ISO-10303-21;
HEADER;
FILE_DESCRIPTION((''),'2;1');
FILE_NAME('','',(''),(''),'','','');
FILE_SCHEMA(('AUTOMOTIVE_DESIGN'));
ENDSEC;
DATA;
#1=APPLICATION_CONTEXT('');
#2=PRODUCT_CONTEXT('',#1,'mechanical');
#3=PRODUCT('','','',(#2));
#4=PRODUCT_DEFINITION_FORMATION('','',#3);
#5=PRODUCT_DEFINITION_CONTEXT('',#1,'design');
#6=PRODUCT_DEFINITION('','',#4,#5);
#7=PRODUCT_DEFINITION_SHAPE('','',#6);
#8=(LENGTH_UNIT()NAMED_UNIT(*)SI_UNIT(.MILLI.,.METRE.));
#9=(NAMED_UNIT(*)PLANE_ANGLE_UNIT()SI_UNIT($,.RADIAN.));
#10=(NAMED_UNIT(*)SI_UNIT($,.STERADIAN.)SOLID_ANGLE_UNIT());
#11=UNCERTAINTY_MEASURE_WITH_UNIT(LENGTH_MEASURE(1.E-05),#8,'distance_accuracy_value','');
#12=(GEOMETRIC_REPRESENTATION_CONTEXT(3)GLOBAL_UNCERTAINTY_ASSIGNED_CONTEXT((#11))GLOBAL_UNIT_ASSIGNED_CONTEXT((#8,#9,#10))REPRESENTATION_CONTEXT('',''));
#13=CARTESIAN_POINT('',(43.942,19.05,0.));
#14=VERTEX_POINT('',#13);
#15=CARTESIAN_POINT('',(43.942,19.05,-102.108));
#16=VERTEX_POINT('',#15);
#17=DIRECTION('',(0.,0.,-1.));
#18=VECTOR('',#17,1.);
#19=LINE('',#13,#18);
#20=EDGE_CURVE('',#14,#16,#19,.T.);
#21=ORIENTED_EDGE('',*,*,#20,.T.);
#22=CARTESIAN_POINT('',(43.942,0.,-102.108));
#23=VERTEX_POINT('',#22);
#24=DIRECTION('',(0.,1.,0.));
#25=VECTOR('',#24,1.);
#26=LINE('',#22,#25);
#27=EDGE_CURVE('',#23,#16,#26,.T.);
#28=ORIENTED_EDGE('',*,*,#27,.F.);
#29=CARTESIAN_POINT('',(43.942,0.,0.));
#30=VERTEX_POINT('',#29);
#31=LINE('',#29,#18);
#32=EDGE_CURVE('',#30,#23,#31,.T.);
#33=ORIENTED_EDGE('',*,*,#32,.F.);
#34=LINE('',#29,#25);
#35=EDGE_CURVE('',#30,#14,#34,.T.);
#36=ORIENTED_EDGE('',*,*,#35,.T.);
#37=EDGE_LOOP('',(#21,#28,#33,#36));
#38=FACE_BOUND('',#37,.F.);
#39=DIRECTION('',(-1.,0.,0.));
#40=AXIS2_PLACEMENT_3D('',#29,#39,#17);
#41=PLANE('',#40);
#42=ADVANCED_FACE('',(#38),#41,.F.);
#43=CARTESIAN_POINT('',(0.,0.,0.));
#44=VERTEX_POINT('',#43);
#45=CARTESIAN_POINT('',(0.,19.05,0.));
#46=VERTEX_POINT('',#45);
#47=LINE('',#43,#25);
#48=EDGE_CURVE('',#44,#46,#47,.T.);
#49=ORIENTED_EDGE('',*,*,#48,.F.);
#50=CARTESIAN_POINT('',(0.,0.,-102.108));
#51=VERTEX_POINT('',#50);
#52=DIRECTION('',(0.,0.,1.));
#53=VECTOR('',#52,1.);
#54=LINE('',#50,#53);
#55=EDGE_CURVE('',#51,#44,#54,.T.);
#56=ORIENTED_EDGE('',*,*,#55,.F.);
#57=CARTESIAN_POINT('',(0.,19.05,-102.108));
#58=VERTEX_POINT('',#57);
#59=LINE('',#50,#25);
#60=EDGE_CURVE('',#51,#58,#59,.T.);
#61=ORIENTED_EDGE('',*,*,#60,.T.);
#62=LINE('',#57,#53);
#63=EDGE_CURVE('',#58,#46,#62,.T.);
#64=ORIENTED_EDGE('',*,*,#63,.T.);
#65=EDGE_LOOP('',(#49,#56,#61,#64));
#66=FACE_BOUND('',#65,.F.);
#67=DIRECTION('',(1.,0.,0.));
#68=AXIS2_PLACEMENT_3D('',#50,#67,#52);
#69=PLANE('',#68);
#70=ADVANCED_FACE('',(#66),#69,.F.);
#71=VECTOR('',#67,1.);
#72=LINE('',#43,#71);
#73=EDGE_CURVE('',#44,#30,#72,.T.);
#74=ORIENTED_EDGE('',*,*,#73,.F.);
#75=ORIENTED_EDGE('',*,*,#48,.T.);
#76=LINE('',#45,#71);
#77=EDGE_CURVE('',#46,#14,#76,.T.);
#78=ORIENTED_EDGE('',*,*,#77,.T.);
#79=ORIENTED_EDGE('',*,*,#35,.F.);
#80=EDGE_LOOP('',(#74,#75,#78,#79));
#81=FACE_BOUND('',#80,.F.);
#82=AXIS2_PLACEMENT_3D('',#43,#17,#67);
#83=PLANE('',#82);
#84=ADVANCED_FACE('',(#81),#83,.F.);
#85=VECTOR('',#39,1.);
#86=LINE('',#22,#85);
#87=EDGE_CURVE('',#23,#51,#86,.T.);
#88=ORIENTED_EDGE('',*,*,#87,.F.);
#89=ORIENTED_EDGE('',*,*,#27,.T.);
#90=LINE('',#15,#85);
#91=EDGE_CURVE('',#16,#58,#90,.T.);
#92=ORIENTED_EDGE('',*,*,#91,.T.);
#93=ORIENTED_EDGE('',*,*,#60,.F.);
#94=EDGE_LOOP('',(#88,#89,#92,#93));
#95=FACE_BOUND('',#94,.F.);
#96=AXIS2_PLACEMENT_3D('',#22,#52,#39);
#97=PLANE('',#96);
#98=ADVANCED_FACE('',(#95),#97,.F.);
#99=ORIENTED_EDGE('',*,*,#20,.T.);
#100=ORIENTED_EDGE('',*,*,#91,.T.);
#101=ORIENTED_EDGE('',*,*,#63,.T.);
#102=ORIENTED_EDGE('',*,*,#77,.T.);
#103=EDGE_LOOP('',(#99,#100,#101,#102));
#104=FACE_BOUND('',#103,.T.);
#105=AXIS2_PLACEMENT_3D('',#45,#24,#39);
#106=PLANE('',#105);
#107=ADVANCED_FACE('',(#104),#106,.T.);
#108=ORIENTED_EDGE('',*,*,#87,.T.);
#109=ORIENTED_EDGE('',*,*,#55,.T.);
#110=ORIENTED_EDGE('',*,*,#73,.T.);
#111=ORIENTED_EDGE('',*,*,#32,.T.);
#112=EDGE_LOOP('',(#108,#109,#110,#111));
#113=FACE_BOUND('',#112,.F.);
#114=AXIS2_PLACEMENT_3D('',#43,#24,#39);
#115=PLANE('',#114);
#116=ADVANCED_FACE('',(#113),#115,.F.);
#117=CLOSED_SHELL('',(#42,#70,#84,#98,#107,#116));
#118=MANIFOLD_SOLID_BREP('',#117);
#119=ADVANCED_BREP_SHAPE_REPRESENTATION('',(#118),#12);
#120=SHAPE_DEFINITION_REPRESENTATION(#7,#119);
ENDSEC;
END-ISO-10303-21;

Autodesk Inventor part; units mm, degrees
ref_plane "YZ Plane" through (0, 0, 0) normal (1, 0, 0) x (0, 1, 0)
ref_plane "XZ Plane" through (0, 0, 0) normal (0, 1, 0) x (-1, 0, 0)
ref_plane "XY Plane" through (0, 0, 0) normal (0, 0, 1) x (1, 0, 0)
sketch "Sketch1" plane through (0, 0, 0) normal (0, 1, 0) x (-1, 0, 0)
  line L0 (0, 0) -> (-43.942, 0)
  line L1 (-43.942, 0) -> (-43.942, -102.108)
  line L2 (-43.942, -102.108) -> (0, -102.108)
  line L3 (0, -102.108) -> (0, 0)
  dimension "d0" = 43.942
  dimension "d1" = 102.108
extrude "Extrusion1" add sketch "Sketch1" along normal blind 19.05
sketch "Sketch2" plane through (0, 0, 0) normal (0, 0, 1) x (1, 0, 0)
  arc A0 (43.942, 19.05) -> (43.942, 0) centre (97.2787, 9.525) ccw
  line L0 (43.942, 0) -> (0, 0) projected
  line L1 (43.942, 19.05) -> (0, 19.05) projected
  arc A1 (0, 0) -> (0, 19.05) centre (-53.3343, 9.525) ccw
  line L2 (0, 19.05) -> (0, 0)
  line L3 (43.942, 19.05) -> (43.942, 0)
  dimension "d4" = 54.1782
properties part number "T610"
